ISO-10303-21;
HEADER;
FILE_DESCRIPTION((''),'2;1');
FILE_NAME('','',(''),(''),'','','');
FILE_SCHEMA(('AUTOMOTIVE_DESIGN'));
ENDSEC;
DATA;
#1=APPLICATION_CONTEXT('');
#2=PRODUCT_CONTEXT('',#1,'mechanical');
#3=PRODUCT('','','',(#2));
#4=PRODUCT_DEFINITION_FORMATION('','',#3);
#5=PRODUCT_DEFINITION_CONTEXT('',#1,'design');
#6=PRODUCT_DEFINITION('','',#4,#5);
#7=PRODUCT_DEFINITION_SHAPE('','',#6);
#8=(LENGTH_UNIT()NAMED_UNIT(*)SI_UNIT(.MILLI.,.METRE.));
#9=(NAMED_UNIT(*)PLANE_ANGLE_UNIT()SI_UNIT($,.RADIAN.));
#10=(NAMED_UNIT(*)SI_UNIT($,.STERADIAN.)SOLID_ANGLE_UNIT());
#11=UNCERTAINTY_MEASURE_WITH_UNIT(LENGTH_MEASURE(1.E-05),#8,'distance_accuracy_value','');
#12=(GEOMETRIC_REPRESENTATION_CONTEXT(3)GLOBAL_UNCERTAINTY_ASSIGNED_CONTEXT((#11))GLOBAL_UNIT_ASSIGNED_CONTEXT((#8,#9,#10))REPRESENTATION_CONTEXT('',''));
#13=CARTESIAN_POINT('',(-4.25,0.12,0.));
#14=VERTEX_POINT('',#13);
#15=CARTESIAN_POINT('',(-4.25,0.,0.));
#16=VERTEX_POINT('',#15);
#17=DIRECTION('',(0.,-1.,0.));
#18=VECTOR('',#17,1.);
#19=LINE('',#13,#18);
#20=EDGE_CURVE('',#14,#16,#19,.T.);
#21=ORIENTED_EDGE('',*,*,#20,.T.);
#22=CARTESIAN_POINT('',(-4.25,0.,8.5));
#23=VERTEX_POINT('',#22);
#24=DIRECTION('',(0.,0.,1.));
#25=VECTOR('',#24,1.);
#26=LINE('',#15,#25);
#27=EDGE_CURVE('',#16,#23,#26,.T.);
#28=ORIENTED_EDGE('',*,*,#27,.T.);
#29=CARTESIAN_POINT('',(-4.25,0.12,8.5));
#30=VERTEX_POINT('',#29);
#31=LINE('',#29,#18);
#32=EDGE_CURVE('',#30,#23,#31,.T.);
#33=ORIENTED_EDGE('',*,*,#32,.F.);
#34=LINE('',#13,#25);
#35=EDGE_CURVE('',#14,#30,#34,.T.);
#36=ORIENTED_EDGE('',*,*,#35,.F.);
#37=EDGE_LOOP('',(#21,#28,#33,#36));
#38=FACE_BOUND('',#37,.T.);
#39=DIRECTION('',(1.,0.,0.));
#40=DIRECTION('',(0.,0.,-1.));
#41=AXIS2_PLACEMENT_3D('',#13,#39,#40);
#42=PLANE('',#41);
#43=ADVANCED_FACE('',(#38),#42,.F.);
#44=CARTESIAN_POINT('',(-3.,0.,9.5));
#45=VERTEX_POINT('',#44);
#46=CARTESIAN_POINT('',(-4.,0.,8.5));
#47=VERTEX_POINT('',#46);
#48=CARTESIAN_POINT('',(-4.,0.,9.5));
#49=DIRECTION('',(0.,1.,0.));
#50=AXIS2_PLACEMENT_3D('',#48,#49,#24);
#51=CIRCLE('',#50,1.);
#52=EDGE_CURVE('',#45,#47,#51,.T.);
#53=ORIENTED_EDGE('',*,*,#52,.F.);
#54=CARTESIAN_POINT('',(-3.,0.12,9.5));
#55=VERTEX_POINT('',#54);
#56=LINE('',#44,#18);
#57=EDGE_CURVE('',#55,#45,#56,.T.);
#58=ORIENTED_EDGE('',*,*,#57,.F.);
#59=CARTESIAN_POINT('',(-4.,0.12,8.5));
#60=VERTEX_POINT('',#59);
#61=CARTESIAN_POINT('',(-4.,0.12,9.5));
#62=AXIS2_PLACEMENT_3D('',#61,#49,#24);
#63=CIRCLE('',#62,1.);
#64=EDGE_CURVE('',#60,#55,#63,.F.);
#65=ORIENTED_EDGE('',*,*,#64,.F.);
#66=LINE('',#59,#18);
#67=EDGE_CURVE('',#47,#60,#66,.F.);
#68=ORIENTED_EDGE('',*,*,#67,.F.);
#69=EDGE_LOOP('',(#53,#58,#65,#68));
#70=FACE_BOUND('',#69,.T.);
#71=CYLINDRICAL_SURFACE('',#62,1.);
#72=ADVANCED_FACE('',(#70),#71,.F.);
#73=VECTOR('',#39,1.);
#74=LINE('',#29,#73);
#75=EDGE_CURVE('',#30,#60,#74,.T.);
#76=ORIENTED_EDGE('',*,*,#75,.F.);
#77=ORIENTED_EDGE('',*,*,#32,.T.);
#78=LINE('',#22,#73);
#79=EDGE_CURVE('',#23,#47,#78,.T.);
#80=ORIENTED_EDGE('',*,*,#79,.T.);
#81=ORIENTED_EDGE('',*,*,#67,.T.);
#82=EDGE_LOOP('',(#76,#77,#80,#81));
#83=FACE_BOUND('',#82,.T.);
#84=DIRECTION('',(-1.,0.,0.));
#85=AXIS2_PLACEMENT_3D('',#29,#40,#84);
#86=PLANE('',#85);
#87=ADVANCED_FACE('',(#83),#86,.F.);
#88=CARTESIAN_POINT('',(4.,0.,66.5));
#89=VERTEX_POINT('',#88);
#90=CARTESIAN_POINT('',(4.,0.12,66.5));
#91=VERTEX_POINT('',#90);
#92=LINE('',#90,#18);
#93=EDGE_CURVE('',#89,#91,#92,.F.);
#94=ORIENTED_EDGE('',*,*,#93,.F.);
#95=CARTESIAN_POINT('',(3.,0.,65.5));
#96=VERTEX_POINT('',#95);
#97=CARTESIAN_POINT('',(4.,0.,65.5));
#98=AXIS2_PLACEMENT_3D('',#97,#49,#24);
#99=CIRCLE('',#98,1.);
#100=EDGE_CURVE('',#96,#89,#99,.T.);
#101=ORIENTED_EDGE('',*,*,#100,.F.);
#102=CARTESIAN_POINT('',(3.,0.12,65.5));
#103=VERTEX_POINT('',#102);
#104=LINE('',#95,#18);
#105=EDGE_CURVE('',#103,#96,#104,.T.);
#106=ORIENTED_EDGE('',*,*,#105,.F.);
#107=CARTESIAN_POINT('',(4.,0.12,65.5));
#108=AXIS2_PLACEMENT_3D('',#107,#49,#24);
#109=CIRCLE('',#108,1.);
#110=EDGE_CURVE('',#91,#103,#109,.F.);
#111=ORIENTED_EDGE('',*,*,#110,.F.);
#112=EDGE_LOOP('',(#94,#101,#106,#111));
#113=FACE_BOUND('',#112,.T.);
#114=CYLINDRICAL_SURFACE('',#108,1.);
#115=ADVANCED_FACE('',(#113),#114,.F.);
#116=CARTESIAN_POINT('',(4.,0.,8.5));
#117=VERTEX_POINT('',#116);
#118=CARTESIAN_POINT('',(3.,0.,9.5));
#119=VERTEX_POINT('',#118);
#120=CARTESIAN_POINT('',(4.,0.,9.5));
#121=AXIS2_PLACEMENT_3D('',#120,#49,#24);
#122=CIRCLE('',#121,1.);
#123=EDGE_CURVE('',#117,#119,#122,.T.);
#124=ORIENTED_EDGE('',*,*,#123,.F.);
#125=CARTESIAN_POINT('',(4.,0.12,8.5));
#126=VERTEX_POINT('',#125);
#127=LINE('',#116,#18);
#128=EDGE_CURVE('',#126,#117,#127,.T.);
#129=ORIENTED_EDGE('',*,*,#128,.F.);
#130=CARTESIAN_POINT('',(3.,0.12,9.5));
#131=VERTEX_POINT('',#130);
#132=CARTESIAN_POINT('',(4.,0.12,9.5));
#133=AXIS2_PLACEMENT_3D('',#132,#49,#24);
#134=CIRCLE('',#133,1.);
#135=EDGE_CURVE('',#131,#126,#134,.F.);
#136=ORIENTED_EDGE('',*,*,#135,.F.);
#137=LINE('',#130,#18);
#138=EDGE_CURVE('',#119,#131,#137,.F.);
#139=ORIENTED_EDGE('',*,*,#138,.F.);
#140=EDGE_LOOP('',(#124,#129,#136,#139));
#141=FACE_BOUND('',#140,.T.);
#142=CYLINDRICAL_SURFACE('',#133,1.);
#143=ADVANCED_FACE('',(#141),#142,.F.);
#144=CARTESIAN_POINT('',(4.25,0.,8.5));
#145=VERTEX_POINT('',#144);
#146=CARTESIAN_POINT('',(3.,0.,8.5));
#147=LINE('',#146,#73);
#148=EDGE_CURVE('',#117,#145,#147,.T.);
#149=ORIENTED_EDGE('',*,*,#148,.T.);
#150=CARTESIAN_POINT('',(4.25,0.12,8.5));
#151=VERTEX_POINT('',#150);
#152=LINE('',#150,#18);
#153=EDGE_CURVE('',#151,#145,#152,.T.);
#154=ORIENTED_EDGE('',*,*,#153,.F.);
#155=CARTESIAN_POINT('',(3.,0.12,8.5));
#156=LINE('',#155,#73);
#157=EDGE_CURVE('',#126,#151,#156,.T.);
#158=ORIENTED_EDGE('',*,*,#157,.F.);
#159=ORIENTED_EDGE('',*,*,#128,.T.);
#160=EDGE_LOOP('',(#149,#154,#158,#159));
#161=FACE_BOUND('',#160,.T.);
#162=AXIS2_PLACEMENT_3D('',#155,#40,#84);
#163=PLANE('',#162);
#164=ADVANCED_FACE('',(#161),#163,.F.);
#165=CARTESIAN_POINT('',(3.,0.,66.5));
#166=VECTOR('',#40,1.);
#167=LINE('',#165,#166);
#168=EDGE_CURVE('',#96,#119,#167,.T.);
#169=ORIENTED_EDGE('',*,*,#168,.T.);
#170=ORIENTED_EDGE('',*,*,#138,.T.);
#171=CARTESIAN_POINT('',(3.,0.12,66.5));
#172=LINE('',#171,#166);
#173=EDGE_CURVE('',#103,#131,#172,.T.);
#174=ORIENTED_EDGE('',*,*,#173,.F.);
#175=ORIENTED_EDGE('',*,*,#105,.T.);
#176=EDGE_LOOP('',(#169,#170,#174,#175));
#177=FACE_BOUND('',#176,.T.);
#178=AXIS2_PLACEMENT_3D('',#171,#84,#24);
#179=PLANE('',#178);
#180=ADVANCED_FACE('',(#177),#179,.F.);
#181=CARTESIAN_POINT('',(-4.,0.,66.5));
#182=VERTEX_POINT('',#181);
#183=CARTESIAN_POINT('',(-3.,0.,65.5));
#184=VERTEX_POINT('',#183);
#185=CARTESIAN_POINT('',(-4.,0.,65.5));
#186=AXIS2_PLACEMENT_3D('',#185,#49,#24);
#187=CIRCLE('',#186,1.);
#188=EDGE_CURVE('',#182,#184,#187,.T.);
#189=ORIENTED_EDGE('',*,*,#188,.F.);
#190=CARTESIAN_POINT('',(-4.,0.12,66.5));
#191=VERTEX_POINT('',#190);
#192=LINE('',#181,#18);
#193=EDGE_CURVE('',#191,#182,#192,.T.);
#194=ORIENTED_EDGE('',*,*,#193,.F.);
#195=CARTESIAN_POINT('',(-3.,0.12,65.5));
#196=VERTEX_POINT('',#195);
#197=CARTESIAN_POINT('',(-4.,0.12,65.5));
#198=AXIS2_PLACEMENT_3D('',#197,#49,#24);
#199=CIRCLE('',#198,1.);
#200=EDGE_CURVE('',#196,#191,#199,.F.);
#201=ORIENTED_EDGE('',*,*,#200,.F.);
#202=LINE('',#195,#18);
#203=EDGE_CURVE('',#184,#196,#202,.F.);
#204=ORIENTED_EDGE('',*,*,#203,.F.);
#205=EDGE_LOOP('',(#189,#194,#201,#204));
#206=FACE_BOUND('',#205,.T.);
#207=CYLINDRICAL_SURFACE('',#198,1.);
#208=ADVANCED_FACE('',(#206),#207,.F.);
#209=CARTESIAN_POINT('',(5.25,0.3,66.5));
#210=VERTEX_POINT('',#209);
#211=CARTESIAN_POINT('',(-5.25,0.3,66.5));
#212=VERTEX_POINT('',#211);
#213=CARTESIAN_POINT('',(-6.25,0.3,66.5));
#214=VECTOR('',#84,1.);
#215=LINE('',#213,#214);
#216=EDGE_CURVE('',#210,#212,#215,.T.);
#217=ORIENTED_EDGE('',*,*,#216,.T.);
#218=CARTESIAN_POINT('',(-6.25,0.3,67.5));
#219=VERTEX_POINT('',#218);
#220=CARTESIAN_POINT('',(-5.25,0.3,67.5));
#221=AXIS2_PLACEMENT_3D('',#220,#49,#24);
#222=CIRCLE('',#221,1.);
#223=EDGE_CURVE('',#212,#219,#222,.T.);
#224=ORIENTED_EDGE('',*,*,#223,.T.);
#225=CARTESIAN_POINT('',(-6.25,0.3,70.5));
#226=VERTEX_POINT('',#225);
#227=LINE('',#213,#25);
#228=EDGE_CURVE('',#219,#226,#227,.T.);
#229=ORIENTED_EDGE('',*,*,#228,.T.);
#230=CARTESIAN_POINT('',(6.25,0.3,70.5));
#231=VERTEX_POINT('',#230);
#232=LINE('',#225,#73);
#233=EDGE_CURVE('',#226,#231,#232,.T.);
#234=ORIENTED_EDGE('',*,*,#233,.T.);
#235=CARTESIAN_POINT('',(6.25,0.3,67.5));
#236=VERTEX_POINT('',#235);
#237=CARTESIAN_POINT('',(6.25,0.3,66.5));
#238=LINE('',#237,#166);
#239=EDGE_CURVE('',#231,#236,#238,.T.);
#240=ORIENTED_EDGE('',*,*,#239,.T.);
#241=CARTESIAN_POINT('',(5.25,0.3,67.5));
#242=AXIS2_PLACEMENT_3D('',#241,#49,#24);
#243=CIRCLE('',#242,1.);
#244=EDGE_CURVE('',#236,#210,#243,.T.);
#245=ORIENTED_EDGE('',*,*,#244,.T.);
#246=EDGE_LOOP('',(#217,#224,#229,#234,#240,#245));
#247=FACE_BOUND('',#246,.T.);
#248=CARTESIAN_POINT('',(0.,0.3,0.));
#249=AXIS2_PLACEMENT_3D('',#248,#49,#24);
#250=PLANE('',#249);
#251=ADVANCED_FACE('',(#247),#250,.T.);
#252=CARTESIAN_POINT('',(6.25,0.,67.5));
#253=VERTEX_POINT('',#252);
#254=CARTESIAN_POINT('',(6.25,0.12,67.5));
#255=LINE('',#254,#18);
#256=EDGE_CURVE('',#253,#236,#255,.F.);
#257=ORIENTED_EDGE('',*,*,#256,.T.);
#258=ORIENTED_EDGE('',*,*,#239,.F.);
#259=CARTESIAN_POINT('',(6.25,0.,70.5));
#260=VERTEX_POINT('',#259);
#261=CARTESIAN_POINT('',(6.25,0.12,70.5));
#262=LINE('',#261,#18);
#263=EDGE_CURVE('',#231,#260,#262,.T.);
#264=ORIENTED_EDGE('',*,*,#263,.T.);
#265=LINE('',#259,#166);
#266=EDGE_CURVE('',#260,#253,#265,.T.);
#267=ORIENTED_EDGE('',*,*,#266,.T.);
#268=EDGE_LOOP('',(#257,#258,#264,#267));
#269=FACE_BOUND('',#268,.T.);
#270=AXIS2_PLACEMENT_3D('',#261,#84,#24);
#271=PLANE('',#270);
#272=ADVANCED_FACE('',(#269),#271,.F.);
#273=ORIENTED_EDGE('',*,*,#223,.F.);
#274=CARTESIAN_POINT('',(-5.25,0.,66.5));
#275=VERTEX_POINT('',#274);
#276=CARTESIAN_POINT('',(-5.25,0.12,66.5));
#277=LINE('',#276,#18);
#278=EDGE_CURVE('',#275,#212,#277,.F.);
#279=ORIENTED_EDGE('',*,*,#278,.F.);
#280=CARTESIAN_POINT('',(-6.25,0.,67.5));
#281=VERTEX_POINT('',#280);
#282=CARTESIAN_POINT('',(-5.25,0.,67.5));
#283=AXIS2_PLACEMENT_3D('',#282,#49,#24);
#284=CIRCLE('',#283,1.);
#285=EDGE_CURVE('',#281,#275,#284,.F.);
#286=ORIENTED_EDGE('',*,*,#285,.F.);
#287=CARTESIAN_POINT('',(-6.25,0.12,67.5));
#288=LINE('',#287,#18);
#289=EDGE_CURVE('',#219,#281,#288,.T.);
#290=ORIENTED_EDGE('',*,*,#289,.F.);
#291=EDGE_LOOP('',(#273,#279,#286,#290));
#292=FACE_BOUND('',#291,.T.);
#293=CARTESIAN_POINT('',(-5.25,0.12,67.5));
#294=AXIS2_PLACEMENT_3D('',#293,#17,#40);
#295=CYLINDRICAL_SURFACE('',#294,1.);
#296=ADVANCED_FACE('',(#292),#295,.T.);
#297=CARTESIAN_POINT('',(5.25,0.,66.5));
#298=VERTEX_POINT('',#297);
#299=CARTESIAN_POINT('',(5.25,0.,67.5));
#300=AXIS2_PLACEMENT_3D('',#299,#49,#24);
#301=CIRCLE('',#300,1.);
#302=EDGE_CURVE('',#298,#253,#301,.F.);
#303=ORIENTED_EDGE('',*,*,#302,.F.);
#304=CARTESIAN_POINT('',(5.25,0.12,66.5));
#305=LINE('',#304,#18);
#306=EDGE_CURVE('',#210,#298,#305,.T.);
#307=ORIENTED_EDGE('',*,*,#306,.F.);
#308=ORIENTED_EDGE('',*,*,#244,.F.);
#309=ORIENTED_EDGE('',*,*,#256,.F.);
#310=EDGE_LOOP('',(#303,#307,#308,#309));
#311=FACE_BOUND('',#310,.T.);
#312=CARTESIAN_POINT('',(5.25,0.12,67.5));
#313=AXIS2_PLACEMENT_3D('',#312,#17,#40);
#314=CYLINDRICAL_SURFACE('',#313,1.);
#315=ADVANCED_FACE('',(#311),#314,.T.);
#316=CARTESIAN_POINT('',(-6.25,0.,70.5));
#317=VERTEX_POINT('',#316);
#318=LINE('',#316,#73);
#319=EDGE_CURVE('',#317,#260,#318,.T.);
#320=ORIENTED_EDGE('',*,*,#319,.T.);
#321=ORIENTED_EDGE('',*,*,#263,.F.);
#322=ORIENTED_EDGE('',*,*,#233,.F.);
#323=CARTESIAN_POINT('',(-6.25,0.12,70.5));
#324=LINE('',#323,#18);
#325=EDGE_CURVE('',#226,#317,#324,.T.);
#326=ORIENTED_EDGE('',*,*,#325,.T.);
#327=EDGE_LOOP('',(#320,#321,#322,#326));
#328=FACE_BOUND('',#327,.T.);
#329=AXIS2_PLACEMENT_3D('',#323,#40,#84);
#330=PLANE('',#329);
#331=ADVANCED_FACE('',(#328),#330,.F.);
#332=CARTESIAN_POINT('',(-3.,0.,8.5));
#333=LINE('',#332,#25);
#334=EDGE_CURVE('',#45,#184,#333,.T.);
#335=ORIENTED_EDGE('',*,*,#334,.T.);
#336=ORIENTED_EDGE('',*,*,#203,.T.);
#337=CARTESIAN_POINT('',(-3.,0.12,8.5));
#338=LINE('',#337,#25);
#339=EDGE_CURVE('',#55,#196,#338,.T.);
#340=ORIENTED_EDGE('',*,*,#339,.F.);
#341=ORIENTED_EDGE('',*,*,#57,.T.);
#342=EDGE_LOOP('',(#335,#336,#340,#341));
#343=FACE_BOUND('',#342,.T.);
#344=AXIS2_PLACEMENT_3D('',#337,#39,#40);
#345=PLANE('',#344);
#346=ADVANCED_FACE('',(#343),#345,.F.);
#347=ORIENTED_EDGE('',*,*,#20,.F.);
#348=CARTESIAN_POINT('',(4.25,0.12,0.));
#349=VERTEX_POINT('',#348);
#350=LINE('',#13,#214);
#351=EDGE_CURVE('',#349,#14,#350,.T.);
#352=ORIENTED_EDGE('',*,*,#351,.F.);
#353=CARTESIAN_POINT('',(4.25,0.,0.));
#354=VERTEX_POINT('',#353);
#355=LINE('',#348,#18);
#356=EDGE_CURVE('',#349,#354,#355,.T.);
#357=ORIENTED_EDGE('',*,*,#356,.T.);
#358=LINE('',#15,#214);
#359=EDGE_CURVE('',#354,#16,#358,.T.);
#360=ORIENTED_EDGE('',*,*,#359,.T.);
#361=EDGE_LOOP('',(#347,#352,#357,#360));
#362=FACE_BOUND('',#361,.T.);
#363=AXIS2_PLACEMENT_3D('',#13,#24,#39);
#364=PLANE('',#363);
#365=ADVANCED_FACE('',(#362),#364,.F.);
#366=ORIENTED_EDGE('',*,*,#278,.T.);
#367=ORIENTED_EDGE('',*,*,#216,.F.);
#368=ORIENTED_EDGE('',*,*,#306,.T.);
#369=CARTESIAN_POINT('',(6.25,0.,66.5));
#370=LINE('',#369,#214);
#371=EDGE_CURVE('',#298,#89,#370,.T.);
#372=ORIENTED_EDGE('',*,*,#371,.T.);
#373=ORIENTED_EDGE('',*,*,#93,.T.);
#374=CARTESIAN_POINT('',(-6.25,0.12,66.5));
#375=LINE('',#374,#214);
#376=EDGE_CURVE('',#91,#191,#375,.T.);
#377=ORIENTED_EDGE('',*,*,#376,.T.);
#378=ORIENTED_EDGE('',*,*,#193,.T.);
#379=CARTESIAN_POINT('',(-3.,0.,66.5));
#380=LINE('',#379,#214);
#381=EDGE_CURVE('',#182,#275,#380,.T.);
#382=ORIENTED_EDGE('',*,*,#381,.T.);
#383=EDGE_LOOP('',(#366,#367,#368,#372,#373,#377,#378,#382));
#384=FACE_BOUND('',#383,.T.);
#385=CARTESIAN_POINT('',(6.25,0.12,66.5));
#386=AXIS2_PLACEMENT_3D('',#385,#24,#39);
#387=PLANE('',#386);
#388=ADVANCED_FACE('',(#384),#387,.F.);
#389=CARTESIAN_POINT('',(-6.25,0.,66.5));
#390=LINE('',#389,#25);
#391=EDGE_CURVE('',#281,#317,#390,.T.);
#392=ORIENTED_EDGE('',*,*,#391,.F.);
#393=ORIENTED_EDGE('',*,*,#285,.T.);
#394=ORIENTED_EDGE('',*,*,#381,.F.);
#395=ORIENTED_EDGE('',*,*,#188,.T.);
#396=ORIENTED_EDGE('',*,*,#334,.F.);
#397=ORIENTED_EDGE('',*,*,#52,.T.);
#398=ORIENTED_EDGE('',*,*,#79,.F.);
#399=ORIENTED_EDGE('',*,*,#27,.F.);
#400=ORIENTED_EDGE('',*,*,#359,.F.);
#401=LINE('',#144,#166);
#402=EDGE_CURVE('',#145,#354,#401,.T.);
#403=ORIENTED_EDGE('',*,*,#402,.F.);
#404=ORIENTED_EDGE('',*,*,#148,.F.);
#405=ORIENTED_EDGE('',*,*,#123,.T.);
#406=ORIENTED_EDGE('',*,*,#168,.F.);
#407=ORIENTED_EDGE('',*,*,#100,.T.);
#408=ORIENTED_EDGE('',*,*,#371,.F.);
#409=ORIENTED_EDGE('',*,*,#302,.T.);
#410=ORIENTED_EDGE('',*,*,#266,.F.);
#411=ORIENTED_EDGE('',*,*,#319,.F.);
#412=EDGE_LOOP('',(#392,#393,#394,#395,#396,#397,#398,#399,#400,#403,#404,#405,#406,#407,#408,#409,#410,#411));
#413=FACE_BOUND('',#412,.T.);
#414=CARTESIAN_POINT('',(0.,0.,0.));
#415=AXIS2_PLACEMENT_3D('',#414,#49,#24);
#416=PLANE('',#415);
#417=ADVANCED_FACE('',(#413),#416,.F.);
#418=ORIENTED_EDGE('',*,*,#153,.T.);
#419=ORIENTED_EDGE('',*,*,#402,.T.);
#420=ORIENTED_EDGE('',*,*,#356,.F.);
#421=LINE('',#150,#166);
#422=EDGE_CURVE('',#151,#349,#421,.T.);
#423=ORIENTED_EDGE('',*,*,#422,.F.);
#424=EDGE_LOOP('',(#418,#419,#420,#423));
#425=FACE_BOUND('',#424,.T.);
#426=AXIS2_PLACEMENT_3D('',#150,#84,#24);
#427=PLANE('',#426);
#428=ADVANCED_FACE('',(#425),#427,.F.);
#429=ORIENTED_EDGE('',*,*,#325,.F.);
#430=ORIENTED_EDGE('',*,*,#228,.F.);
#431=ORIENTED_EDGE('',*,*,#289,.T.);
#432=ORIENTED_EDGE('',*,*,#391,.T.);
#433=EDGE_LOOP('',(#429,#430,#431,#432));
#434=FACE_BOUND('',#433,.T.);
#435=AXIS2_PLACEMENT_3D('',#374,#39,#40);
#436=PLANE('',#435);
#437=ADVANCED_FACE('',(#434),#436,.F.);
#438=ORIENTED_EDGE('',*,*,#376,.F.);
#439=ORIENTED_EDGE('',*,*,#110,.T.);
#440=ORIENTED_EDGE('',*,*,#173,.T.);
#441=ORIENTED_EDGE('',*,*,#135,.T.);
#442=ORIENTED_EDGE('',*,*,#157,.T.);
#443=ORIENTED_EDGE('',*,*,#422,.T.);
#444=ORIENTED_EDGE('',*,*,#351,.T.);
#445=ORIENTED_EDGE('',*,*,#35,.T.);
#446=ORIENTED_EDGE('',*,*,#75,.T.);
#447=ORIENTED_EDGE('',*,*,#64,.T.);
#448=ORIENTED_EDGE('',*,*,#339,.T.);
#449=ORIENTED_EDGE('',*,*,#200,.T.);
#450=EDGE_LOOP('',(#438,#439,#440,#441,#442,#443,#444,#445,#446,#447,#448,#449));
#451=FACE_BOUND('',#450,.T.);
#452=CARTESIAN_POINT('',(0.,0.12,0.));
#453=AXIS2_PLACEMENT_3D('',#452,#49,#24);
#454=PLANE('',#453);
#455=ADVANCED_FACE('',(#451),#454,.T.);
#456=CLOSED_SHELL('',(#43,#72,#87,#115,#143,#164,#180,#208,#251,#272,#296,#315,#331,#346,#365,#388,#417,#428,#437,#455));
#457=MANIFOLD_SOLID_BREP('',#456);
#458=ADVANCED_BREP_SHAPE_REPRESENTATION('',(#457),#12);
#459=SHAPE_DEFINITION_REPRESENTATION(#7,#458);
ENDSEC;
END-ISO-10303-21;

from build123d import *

# Parameters (mm, degrees)
BOSS_EXTRUDE1_DEPTH = 0.12
SKETCH2_W           = 12.5
SKETCH2_H           = 4
BOSS_EXTRUDE2_DEPTH = 0.18
FILLET1_R           = 1


with BuildPart() as part:
    # Sketch1 → Boss-Extrude1 (new body)
    with BuildSketch(Plane(origin=(0, 0, 0), x_dir=(1, 0, 0), z_dir=(0, 1, 0))):
        Polygon((-4.25, 0), (4.25, 0), (4.25, -8.5), (3, -8.5), (3, -66.5), (6.25, -66.5), (6.25, -70.5), (-6.25, -70.5), (-6.25, -66.5), (-3, -66.5), (-3, -8.5), (-4.25, -8.5), align=None)
    extrude(amount=BOSS_EXTRUDE1_DEPTH)

    # Sketch2 → Boss-Extrude2 (add)
    with BuildSketch(Plane(origin=(0, 0.12, 0), x_dir=(1, 0, 0), z_dir=(0, 1, 0))):
        with Locations((0, -68.5)):
            Rectangle(SKETCH2_W, SKETCH2_H)
    extrude(amount=BOSS_EXTRUDE2_DEPTH)

    # Fillet1
    fillet1_edges = [part.edges().sort_by_distance(p)[0] for p in [
        (3, 0.06, 8.5),
        (3, 0.06, 66.5),
        (6.25, 0.15, 66.5),
        (-6.25, 0.15, 66.5),
        (-3, 0.06, 66.5),
        (-3, 0.06, 8.5),
    ]]
    fillet(fillet1_edges, radius=FILLET1_R)


solid = part.part
